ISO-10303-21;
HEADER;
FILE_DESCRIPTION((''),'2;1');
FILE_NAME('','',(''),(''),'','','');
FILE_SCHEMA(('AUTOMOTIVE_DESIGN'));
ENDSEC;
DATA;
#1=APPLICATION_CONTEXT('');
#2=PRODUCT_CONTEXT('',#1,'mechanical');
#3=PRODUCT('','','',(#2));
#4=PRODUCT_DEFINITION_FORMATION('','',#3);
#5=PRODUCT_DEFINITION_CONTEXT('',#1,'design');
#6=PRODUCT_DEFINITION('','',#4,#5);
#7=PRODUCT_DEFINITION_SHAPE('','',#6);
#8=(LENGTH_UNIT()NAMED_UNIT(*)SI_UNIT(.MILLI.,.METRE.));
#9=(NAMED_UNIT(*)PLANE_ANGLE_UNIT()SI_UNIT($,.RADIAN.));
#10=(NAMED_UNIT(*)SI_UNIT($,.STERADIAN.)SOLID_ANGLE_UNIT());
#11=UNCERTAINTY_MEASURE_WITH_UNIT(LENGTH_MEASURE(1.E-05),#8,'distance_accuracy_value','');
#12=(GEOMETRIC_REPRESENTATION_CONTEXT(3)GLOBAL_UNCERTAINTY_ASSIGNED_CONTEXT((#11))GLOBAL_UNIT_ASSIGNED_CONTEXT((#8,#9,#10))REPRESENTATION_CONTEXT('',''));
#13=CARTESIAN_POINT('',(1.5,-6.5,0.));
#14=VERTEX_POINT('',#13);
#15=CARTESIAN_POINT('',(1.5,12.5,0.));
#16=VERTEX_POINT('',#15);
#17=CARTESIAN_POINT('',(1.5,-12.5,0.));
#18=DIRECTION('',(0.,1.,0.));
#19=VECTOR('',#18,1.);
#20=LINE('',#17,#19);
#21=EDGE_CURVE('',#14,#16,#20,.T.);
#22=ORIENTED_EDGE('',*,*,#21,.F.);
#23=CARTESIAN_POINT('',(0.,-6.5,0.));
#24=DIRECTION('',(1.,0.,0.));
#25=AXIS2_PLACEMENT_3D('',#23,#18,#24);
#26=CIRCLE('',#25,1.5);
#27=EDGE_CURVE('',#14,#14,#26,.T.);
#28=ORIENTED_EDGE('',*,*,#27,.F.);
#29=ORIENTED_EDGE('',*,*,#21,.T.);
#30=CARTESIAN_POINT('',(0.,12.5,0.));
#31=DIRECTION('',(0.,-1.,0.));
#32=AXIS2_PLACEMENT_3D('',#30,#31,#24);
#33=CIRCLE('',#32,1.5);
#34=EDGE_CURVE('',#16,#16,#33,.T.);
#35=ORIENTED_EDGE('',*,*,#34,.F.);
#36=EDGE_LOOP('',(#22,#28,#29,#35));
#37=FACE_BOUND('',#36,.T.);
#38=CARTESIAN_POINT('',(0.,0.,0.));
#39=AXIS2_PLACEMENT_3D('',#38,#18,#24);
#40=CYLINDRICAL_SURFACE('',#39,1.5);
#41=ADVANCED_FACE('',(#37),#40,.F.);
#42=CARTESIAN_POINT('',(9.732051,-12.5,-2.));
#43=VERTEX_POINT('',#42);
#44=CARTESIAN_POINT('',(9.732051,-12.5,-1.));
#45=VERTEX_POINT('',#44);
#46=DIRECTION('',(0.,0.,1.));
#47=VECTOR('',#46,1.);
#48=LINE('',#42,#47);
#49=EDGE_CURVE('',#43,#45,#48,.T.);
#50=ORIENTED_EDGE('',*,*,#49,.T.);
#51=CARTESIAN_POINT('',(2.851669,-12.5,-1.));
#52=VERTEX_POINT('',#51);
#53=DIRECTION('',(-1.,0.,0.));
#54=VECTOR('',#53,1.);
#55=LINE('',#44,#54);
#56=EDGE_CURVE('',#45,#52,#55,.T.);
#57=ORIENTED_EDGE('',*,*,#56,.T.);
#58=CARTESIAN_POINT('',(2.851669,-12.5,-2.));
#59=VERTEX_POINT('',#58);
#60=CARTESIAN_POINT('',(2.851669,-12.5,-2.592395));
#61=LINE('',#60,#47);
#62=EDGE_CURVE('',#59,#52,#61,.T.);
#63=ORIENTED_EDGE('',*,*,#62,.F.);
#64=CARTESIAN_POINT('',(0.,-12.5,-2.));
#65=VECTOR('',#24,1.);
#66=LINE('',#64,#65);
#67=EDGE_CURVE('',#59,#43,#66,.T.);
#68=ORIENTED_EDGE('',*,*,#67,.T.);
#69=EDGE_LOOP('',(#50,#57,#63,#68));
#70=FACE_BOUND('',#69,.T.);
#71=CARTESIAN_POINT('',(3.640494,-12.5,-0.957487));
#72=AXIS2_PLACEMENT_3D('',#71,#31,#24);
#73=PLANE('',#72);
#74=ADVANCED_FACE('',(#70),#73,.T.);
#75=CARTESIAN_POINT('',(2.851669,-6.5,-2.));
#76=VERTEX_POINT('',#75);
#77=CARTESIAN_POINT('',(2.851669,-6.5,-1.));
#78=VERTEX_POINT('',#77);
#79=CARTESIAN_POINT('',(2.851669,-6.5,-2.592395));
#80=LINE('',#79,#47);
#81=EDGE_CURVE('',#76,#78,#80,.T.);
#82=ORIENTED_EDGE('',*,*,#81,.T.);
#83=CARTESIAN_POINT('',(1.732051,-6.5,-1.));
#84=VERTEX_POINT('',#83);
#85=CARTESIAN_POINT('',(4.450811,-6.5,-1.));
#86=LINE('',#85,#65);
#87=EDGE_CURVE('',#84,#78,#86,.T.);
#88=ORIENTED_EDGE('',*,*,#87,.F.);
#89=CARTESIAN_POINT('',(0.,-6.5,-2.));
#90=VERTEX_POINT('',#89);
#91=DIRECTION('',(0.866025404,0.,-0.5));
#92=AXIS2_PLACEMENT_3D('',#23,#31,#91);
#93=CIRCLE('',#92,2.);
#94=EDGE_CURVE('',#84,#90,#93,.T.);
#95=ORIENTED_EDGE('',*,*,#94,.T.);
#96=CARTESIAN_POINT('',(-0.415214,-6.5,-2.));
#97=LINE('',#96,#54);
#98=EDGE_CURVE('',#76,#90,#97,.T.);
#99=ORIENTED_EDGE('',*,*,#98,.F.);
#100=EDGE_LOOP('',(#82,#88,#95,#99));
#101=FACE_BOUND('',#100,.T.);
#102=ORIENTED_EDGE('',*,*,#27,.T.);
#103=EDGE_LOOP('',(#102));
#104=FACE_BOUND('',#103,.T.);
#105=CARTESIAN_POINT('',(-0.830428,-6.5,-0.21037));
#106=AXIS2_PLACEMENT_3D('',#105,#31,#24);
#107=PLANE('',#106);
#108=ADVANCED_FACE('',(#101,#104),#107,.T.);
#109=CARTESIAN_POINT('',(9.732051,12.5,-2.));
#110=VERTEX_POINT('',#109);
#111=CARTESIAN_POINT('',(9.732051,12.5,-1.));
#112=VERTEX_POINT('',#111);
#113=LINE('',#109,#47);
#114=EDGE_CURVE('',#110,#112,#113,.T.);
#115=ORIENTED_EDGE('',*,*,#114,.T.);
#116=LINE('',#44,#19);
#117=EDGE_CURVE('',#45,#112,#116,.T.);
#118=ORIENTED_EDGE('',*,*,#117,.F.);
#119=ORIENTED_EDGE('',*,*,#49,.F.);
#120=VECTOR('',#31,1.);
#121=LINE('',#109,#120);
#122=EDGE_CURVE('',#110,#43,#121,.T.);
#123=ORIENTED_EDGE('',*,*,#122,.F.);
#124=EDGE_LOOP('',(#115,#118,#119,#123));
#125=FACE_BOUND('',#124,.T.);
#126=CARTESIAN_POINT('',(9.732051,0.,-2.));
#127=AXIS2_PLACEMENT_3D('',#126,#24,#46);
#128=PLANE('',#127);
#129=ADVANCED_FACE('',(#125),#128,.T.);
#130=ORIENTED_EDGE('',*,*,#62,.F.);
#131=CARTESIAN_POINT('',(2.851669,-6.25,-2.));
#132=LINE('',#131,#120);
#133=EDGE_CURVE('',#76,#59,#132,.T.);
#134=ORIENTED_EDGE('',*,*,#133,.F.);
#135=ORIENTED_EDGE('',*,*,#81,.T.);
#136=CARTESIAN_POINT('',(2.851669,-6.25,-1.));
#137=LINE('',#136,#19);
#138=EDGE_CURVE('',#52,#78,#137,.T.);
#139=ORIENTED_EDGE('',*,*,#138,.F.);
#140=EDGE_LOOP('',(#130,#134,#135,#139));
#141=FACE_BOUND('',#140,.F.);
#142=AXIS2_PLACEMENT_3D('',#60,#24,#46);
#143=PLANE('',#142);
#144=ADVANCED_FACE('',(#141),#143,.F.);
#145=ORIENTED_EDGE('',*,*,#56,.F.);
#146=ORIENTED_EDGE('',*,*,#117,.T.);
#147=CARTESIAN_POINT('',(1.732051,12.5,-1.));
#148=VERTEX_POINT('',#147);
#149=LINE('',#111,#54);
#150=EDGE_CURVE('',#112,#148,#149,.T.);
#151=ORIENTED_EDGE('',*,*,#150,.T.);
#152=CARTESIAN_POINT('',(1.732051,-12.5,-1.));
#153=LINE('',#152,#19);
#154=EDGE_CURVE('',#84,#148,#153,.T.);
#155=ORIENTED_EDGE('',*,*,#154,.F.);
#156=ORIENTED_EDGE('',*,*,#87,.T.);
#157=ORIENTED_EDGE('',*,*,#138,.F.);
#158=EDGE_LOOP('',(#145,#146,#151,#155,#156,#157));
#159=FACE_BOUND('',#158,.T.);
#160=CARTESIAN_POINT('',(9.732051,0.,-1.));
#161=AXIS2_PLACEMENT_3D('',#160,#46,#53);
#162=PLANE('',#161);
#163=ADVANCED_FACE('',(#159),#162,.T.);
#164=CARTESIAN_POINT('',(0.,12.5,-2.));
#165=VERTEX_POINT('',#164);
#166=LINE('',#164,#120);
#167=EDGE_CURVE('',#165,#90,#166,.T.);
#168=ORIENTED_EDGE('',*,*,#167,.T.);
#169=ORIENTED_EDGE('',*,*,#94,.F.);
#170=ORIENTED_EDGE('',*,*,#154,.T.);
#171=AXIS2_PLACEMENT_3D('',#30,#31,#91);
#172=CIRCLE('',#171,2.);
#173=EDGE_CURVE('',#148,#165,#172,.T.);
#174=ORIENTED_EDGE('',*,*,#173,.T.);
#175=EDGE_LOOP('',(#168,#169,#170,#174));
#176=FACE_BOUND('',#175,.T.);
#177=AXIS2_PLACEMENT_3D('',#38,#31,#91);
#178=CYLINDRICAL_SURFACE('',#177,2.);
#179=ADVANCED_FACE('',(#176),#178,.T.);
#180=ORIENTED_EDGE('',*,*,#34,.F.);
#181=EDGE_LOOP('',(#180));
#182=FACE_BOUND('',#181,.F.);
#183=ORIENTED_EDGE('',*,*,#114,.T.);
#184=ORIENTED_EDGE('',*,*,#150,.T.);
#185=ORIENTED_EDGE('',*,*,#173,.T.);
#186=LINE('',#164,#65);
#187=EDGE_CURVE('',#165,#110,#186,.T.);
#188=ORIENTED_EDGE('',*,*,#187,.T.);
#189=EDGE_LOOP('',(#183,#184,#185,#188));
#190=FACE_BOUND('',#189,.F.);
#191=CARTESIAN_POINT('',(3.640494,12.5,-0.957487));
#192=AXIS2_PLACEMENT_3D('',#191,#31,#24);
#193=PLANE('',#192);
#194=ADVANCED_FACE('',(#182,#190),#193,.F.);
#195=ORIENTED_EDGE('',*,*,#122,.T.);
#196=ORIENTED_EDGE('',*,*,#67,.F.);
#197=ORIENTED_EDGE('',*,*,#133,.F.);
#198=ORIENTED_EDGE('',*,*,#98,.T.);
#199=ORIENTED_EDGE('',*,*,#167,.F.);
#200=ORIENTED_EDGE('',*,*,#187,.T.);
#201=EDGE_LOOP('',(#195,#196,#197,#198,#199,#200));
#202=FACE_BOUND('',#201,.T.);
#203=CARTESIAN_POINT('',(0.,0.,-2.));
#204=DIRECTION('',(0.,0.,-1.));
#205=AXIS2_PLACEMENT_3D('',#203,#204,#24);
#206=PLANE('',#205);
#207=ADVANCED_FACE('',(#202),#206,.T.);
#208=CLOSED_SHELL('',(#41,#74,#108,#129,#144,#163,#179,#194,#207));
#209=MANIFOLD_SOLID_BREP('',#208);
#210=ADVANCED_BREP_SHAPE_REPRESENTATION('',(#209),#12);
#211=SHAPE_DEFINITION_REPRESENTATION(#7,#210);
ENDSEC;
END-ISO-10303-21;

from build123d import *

# Parameters (mm, degrees)
F0_R     = 1.5
F1_DEPTH = 12.5
F3_DEPTH = 6


with BuildPart() as f1:
    # F0 (on Front) → F1 (new body, symmetric)
    with BuildSketch(Plane.XZ):
        with BuildLine():
            ThreePointArc((1.7320508076, -1), (-1, 1.7320508076), (0, -2))
            Line((0, -2), (9.7320508076, -2))
            Line((9.7320508076, -2), (9.7320508076, -1))
            Line((9.7320508076, -1), (1.7320508076, -1))
        make_face()
        Circle(F0_R, mode=Mode.SUBTRACT)
    extrude(amount=F1_DEPTH, both=True)

    # F2 (on face) → F3 (cut)
    with BuildSketch(Plane.XZ.offset(12.5)):
        Polygon((2.8516689781, 2.8144938406), (1.7320508076, 2.8144938406), (-4.3542445637, 2.8144938406), (-4.3542445637, -3.379592672), (1.7320508076, -3.379592672), (2.8516689781, -2.5923951762), (2.8516689781, -1), align=None)
    extrude(amount=-F3_DEPTH, mode=Mode.SUBTRACT)


solid = f1.part
